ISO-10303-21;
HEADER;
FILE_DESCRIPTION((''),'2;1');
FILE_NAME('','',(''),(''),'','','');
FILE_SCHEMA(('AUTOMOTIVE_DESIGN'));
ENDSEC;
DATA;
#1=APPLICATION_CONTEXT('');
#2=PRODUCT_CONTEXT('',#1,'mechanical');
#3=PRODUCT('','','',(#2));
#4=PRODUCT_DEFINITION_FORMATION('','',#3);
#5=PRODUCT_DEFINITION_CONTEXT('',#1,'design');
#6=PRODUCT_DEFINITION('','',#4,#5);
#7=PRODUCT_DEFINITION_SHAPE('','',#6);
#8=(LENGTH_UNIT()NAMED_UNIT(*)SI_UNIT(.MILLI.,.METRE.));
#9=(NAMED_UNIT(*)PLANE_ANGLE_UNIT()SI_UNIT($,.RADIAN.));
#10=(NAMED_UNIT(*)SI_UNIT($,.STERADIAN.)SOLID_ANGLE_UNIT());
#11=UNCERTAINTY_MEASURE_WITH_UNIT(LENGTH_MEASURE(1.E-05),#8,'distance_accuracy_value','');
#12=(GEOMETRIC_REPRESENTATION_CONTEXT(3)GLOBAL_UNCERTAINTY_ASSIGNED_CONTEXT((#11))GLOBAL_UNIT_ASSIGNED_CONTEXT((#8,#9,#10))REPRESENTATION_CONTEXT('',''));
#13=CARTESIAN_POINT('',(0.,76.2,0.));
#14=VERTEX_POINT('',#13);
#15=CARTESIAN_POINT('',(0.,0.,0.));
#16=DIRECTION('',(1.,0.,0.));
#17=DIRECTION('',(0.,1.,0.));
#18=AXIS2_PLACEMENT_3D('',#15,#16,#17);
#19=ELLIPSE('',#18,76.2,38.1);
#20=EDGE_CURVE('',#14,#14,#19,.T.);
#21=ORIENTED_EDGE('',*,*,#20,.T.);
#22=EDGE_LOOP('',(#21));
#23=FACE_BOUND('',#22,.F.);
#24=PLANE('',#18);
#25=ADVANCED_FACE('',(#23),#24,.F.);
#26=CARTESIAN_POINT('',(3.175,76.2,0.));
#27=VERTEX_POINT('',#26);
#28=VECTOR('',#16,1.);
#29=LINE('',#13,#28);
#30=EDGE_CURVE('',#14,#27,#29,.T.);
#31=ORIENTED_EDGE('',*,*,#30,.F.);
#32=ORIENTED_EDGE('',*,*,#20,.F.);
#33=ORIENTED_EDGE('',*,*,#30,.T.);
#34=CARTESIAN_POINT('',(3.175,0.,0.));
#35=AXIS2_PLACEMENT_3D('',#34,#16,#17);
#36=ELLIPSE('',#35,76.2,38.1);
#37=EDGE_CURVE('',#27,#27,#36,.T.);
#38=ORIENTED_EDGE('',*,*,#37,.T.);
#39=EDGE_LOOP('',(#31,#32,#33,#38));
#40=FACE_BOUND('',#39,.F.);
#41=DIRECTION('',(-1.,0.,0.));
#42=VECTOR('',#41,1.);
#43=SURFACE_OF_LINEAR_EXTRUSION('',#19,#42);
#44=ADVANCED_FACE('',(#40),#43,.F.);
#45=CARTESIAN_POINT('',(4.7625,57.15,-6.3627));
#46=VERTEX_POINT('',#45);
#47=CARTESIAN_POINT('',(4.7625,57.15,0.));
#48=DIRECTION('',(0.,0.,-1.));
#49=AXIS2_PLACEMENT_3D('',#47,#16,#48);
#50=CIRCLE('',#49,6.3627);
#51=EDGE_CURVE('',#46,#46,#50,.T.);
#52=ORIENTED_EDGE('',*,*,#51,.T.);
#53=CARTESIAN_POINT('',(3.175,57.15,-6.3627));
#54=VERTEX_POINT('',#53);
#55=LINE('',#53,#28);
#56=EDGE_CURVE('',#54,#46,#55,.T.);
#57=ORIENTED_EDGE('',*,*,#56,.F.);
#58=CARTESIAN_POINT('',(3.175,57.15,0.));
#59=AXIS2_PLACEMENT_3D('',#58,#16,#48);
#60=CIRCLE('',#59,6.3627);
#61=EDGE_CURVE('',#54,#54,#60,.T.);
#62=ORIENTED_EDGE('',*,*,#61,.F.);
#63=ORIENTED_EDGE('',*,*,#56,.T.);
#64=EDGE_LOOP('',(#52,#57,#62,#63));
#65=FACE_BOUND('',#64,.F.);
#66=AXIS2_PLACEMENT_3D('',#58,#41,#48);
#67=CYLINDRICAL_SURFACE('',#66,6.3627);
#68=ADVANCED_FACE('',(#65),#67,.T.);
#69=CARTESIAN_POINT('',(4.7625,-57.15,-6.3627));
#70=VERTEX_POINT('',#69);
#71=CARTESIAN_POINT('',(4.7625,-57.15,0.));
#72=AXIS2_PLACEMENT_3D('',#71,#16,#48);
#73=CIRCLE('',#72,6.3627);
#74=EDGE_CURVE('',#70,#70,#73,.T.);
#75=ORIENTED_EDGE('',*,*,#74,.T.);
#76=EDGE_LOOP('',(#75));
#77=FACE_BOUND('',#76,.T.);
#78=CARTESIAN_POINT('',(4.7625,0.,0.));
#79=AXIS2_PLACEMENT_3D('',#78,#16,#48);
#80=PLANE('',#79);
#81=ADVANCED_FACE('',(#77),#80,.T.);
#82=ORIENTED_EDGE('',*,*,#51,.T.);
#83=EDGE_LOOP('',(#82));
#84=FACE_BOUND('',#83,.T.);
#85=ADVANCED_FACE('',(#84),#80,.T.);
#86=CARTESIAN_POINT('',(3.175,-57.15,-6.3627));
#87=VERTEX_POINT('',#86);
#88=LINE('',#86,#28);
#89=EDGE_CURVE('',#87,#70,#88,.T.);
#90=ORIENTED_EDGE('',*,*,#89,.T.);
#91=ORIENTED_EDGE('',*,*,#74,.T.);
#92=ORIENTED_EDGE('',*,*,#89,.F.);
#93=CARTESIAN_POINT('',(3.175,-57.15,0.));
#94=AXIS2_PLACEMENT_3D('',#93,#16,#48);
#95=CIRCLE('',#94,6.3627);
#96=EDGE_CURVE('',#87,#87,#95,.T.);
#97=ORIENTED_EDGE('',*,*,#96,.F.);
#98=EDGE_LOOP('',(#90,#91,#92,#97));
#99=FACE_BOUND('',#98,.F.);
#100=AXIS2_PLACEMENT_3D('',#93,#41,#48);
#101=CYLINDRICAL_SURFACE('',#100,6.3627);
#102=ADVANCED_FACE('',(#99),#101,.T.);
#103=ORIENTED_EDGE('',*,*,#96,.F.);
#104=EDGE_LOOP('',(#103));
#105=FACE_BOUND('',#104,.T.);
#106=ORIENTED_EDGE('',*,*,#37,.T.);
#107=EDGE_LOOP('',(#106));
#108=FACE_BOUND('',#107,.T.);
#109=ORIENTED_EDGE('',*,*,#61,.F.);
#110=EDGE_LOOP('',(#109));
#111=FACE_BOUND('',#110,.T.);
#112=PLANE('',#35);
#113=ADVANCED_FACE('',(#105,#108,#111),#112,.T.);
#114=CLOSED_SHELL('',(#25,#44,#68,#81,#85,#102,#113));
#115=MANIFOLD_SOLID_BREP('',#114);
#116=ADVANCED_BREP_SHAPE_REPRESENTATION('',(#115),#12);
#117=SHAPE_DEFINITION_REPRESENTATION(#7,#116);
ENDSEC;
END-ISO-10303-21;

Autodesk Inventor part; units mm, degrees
ref_plane "YZ Plane" through (0, 0, 0) normal (1, 0, 0) x (0, 1, 0)
ref_plane "XZ Plane" through (0, 0, 0) normal (0, 1, 0) x (-1, 0, 0)
ref_plane "XY Plane" through (0, 0, 0) normal (0, 0, 1) x (1, 0, 0)
sketch "Sketch1" plane through (0, 0, 0) normal (1, 0, 0) x (0, 1, 0)
  ellipse E0 centre (0, 0) end of major axis (76.2, 0) minor radius 38.1
  dimension "d0" = 38.1
  dimension "d1" = 76.2
extrude "Extrusion1" add sketch "Sketch1" along normal blind 3.175
sketch "Sketch2" plane through (3.175, 0, 0) normal (1, 0, 0) x (0, 0, -1)
  ellipse E0 centre (0, 0) end of major axis (0, -76.2) minor radius 38.1 projected
  circle A0 centre (0, 57.15) radius 6.3627
  circle A1 centre (0, -57.15) radius 6.3627
  dimension "d4" = 57.15
  dimension "d5" = 57.15
  dimension "d6" = 12.7254
  dimension "d7" = 12.7254
extrude "Extrusion2" add sketch "Sketch2" along normal blind 1.5875 contours A0 | A1
equation "\"d7\" = d6"
properties part number "belt for lift"
